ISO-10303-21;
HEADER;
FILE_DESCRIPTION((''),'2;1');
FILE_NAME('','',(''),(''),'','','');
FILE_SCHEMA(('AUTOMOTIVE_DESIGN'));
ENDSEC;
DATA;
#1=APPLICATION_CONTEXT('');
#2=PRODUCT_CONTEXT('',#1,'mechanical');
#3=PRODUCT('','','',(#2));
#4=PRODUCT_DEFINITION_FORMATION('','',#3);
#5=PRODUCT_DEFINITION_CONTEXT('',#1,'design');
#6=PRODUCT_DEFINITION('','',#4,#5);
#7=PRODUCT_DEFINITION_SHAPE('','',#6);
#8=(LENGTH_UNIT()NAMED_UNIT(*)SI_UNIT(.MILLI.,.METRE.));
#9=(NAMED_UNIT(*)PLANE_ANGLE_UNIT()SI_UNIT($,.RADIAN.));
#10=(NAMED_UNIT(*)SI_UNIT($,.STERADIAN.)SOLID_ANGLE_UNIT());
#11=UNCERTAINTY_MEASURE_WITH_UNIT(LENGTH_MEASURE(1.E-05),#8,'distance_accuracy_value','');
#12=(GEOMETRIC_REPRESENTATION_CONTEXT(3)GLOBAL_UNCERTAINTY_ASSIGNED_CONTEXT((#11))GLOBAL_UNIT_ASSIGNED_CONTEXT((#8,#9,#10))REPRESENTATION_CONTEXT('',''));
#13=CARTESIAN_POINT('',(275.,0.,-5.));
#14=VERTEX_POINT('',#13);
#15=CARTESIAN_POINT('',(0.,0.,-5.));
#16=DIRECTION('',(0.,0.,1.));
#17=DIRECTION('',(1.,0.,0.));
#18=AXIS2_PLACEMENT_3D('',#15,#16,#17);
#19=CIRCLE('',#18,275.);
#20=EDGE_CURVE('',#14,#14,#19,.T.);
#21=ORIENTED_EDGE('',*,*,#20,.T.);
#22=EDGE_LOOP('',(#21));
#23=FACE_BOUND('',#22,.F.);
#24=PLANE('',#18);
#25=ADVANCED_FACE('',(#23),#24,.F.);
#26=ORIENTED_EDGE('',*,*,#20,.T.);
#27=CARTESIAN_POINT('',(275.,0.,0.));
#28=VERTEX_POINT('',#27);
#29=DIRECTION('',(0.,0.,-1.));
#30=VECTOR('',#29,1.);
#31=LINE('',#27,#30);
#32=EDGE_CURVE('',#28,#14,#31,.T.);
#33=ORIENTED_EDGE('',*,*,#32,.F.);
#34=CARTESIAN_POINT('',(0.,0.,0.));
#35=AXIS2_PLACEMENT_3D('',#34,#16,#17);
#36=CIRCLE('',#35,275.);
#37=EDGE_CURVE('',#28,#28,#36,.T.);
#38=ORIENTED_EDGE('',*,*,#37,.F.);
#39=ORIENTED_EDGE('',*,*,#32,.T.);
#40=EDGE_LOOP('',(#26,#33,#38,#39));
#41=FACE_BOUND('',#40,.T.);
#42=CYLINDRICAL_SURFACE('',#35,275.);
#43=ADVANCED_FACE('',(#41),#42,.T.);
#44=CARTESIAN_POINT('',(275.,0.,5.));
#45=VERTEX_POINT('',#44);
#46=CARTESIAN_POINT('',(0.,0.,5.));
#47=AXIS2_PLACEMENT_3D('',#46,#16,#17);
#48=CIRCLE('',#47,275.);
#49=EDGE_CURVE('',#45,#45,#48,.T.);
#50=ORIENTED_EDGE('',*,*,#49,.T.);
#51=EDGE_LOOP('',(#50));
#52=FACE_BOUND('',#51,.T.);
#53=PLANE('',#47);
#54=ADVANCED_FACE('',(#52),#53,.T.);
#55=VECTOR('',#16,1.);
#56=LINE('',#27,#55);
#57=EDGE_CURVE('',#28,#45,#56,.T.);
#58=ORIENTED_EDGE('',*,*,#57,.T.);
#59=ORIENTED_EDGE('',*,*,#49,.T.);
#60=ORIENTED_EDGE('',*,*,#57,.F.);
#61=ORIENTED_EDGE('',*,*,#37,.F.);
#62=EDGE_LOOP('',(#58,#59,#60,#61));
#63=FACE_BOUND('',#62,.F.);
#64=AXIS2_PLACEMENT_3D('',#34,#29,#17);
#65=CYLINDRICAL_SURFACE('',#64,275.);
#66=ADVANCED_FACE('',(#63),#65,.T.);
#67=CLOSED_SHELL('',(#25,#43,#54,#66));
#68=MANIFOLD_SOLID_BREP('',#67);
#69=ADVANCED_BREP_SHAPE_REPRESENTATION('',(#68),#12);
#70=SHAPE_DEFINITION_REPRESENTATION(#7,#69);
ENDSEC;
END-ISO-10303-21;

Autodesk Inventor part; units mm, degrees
ref_plane "YZ Plane" through (0, 0, 0) normal (1, 0, 0) x (0, 1, 0)
ref_plane "XZ Plane" through (0, 0, 0) normal (0, 1, 0) x (-1, 0, 0)
ref_plane "XY Plane" through (0, 0, 0) normal (0, 0, 1) x (1, 0, 0)
sketch "Sketch1" plane through (0, 0, 0) normal (0, 0, 1) x (1, 0, 0)
  circle A0 centre (0, 0) radius 275
  dimension "d0" = 550
extrude "Extrusion1" add sketch "Sketch1" along normal mid plane 10
properties part number "glass" material "Glass"
